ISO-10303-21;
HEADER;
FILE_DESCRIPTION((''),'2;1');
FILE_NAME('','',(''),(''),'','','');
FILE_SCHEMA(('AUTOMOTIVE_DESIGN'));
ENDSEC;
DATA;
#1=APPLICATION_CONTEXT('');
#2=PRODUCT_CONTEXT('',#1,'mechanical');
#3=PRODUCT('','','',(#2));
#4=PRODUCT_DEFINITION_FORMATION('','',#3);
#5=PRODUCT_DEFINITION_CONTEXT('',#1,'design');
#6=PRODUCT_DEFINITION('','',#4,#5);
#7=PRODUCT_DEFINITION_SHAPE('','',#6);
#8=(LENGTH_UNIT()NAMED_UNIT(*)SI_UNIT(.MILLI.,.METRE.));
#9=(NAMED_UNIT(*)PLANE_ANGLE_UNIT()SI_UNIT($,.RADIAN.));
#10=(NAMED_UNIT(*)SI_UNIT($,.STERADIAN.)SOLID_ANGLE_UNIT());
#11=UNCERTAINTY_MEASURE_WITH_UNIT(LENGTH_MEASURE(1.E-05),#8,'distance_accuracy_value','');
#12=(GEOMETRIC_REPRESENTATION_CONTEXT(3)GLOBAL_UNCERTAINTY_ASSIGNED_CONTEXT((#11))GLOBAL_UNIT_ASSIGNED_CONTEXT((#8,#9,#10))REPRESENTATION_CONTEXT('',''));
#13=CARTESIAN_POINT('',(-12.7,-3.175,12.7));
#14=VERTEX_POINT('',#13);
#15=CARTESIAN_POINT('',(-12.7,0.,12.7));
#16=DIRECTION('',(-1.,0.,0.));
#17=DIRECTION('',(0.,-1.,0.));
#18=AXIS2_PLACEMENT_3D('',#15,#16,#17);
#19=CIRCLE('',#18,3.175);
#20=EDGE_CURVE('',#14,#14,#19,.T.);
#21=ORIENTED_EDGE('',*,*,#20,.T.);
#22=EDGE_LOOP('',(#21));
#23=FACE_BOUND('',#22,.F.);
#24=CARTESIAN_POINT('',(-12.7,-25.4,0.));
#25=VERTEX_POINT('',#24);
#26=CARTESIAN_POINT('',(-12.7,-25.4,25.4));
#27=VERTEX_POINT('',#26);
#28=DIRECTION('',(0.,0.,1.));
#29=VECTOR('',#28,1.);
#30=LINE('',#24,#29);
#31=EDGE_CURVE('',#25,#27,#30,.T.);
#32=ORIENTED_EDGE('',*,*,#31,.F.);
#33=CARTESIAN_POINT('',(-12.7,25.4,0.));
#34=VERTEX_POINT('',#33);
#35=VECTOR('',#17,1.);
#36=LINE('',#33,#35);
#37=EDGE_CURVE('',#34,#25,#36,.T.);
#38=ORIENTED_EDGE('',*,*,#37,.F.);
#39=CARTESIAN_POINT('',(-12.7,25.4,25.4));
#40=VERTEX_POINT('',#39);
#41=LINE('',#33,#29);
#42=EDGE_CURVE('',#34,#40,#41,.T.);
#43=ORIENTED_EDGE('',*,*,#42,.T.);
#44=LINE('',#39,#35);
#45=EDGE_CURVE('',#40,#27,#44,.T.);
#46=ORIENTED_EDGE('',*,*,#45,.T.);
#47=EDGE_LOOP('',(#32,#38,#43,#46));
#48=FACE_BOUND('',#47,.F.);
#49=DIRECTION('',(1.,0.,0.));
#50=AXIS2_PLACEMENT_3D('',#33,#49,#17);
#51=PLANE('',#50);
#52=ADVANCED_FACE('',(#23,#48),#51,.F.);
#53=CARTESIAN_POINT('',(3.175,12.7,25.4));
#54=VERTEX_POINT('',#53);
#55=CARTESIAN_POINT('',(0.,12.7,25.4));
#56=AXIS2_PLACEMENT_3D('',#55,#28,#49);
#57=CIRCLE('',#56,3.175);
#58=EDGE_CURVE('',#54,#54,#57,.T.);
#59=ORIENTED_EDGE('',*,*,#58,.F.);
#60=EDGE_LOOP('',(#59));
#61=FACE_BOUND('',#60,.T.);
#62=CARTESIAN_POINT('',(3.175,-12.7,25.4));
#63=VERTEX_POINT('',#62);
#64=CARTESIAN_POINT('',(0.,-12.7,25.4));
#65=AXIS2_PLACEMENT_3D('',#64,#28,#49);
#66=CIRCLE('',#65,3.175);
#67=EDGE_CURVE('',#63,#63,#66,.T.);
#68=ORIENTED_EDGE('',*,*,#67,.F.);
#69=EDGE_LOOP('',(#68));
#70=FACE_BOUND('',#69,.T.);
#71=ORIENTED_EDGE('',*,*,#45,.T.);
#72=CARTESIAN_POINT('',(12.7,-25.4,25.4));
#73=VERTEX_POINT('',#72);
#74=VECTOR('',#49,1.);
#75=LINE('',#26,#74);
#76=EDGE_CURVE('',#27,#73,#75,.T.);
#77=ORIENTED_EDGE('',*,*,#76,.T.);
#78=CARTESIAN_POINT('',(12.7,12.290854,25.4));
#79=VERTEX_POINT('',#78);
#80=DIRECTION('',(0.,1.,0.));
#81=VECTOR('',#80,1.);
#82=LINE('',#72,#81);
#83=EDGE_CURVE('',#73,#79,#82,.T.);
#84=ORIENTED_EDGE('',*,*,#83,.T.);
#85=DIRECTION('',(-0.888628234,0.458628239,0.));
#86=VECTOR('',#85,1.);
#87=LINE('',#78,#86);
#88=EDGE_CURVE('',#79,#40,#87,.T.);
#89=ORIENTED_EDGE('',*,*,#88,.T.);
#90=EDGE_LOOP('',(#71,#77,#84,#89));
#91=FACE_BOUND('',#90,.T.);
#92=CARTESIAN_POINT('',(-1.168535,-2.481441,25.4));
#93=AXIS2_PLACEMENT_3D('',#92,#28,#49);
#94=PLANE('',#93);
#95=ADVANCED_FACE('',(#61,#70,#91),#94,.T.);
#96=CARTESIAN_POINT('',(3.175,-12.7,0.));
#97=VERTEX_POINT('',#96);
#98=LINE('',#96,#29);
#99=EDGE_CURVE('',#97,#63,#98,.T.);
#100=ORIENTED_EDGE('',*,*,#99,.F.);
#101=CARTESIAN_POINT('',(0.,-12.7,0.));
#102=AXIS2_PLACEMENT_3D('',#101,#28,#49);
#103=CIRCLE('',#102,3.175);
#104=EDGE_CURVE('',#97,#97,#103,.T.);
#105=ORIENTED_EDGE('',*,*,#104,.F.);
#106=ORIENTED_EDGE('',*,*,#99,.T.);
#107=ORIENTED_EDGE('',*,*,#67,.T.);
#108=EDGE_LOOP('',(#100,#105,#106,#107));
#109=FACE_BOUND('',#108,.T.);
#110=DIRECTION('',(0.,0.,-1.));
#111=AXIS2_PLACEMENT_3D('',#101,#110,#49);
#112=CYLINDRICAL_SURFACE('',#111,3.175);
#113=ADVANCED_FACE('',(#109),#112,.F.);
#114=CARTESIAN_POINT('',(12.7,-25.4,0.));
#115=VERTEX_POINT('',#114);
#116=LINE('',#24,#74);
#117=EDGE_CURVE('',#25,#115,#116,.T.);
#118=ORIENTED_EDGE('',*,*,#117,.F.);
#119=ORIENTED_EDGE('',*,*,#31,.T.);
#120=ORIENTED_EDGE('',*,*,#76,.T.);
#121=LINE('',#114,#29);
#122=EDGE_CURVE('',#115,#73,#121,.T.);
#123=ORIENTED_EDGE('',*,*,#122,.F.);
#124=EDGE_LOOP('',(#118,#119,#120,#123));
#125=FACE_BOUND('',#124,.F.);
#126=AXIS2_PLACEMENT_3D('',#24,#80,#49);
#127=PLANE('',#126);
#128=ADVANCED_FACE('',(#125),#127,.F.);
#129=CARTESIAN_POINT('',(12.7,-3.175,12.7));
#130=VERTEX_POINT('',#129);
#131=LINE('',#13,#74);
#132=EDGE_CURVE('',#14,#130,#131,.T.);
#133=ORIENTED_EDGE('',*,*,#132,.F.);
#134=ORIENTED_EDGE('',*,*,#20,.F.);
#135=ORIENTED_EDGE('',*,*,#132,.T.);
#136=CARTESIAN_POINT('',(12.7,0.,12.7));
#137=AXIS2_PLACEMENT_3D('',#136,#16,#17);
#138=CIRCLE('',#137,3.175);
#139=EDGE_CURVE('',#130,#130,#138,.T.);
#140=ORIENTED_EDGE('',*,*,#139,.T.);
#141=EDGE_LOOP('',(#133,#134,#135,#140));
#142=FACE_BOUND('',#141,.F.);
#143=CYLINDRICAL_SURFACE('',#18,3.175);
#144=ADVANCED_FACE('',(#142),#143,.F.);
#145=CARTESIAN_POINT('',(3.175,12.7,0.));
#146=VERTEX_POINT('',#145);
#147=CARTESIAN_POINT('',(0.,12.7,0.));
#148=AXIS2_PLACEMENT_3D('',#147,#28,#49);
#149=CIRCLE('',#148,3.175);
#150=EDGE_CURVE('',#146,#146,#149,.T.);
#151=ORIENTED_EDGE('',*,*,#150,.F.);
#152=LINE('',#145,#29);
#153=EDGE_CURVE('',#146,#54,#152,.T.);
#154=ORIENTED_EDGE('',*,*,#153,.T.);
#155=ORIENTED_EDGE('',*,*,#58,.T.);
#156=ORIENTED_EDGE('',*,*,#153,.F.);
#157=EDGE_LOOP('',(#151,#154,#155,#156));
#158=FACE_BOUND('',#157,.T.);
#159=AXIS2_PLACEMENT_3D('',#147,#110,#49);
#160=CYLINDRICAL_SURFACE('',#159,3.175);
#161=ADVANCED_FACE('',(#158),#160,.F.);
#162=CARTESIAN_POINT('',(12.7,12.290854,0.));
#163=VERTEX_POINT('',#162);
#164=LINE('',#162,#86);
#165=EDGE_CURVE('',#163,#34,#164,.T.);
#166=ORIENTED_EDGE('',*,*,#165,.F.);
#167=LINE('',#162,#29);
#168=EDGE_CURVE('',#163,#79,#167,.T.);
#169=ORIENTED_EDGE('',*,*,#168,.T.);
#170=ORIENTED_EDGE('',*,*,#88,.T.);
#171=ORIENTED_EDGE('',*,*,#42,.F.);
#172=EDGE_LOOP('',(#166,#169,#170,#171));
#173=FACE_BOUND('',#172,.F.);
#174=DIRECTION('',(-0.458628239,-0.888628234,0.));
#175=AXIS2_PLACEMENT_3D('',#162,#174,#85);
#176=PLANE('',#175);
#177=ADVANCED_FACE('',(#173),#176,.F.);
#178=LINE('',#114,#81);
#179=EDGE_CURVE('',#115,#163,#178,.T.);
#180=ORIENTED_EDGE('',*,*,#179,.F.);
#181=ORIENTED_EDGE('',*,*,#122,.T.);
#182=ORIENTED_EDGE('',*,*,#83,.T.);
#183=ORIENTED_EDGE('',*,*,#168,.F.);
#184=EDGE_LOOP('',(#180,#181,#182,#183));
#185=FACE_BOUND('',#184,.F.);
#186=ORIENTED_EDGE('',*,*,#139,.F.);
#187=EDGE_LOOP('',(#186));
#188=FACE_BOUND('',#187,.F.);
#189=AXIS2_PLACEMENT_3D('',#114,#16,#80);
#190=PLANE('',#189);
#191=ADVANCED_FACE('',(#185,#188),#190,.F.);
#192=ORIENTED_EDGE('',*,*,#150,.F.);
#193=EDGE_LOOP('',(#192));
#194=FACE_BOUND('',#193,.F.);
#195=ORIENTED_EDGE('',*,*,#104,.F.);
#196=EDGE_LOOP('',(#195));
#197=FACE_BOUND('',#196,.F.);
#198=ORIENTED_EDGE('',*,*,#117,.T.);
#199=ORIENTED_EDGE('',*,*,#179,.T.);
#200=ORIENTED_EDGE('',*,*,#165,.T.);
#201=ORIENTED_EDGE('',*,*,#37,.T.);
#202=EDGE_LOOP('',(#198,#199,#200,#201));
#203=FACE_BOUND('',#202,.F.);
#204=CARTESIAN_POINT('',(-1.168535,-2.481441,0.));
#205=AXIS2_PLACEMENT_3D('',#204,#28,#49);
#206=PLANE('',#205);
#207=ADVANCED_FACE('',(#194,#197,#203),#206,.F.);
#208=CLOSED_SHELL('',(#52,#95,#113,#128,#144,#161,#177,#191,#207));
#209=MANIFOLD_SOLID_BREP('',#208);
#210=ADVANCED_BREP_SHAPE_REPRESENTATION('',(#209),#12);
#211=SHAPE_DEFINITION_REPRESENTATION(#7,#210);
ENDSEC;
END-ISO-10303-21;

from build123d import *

# Parameters (mm, degrees)
F0_R     = 3.175
F1_DEPTH = 25.4
F2_R     = 3.175
F3_DEPTH = 25.4


with BuildPart() as f1:
    # F0 (on Top) → F1 (new body)
    with BuildSketch(Plane.XY):
        Polygon((12.7, 12.290854), (-12.7, 25.4), (-12.7, -25.4), (12.7, -25.4), align=None)
        with Locations((0, -12.7)):
            Circle(F0_R, mode=Mode.SUBTRACT)
        with Locations((0, 12.7)):
            Circle(F0_R, mode=Mode.SUBTRACT)
    extrude(amount=F1_DEPTH)

    # F2 (on face) → F3 (cut, through all)
    with BuildSketch(Plane(origin=(-12.7, 0, 0), x_dir=(0, -1, 0), z_dir=(-1, 0, 0))):
        with Locations((0, 12.7)):
            Circle(F2_R)
    extrude(amount=-F3_DEPTH, mode=Mode.SUBTRACT)


solid = f1.part
